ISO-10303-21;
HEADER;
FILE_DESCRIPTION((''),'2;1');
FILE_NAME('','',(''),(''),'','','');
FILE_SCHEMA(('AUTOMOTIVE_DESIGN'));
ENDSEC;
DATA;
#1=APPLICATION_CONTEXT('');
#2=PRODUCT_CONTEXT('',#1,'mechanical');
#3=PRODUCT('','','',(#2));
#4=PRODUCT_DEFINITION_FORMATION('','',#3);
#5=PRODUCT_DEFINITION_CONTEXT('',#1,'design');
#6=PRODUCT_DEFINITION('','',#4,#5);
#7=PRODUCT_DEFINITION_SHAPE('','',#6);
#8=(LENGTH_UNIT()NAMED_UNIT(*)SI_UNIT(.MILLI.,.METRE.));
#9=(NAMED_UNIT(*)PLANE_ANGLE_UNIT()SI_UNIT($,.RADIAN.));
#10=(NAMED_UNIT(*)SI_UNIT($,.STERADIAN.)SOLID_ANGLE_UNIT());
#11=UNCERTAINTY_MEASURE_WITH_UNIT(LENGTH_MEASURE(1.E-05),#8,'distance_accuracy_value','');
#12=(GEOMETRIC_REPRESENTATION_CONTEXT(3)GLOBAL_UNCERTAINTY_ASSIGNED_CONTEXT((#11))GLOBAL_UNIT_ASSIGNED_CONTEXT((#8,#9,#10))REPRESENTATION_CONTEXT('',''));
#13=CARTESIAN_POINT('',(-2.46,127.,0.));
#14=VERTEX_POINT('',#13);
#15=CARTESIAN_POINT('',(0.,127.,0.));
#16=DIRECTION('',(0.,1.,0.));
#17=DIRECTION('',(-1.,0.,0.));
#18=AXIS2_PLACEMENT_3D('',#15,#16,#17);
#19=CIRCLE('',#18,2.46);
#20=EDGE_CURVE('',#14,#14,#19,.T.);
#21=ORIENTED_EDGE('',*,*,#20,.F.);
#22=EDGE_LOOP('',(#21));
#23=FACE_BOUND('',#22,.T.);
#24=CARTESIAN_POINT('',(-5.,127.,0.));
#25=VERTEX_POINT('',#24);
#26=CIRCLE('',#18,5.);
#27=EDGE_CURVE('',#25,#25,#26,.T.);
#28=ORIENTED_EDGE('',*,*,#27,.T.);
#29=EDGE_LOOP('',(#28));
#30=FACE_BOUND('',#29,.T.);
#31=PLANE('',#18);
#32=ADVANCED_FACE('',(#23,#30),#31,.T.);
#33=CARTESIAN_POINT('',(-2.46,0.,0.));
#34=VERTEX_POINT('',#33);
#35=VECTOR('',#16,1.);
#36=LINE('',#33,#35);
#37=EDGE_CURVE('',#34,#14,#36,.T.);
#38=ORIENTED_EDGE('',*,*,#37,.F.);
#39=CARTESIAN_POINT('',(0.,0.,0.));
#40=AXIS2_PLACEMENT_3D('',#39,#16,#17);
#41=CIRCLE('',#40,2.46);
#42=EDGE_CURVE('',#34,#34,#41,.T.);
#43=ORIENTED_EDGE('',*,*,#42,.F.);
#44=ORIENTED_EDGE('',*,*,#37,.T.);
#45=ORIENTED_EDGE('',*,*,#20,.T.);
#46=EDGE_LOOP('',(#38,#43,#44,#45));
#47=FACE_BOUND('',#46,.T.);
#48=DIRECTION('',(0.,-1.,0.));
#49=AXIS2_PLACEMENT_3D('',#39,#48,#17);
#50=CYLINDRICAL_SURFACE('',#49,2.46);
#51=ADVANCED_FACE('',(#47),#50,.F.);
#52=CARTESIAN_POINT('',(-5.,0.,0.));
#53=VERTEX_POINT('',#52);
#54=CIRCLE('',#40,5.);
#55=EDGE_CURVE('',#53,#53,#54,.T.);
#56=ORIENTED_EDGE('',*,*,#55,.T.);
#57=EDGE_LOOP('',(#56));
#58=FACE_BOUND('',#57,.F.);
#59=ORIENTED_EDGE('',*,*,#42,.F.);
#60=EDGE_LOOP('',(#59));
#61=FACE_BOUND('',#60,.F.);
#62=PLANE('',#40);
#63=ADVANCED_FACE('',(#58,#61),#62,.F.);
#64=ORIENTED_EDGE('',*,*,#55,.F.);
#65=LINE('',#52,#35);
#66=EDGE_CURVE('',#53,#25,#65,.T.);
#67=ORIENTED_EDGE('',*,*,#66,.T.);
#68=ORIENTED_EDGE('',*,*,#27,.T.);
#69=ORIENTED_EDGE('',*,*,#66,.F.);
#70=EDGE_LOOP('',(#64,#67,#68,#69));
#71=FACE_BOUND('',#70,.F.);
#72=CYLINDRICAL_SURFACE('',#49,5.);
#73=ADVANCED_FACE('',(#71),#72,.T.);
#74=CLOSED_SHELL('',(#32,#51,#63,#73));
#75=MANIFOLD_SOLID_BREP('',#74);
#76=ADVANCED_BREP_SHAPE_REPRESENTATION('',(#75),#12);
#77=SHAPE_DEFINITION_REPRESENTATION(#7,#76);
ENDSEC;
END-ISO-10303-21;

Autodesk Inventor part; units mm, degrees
ref_plane "YZ Plane" through (0, 0, 0) normal (1, 0, 0) x (0, 1, 0)
ref_plane "XZ Plane" through (0, 0, 0) normal (0, 1, 0) x (-1, 0, 0)
ref_plane "XY Plane" through (0, 0, 0) normal (0, 0, 1) x (1, 0, 0)
sketch "Sketch1" plane through (0, 0, 0) normal (0, 1, 0) x (-1, 0, 0)
  circle A0 centre (0, 0) radius 5
  circle A1 centre (0, 0) radius 2.46
  dimension "d0" = 10
  dimension "d1" = 2.54
extrude "Extrusion1" add sketch "Sketch1" along normal blind 127
properties part number "10mm rod"
